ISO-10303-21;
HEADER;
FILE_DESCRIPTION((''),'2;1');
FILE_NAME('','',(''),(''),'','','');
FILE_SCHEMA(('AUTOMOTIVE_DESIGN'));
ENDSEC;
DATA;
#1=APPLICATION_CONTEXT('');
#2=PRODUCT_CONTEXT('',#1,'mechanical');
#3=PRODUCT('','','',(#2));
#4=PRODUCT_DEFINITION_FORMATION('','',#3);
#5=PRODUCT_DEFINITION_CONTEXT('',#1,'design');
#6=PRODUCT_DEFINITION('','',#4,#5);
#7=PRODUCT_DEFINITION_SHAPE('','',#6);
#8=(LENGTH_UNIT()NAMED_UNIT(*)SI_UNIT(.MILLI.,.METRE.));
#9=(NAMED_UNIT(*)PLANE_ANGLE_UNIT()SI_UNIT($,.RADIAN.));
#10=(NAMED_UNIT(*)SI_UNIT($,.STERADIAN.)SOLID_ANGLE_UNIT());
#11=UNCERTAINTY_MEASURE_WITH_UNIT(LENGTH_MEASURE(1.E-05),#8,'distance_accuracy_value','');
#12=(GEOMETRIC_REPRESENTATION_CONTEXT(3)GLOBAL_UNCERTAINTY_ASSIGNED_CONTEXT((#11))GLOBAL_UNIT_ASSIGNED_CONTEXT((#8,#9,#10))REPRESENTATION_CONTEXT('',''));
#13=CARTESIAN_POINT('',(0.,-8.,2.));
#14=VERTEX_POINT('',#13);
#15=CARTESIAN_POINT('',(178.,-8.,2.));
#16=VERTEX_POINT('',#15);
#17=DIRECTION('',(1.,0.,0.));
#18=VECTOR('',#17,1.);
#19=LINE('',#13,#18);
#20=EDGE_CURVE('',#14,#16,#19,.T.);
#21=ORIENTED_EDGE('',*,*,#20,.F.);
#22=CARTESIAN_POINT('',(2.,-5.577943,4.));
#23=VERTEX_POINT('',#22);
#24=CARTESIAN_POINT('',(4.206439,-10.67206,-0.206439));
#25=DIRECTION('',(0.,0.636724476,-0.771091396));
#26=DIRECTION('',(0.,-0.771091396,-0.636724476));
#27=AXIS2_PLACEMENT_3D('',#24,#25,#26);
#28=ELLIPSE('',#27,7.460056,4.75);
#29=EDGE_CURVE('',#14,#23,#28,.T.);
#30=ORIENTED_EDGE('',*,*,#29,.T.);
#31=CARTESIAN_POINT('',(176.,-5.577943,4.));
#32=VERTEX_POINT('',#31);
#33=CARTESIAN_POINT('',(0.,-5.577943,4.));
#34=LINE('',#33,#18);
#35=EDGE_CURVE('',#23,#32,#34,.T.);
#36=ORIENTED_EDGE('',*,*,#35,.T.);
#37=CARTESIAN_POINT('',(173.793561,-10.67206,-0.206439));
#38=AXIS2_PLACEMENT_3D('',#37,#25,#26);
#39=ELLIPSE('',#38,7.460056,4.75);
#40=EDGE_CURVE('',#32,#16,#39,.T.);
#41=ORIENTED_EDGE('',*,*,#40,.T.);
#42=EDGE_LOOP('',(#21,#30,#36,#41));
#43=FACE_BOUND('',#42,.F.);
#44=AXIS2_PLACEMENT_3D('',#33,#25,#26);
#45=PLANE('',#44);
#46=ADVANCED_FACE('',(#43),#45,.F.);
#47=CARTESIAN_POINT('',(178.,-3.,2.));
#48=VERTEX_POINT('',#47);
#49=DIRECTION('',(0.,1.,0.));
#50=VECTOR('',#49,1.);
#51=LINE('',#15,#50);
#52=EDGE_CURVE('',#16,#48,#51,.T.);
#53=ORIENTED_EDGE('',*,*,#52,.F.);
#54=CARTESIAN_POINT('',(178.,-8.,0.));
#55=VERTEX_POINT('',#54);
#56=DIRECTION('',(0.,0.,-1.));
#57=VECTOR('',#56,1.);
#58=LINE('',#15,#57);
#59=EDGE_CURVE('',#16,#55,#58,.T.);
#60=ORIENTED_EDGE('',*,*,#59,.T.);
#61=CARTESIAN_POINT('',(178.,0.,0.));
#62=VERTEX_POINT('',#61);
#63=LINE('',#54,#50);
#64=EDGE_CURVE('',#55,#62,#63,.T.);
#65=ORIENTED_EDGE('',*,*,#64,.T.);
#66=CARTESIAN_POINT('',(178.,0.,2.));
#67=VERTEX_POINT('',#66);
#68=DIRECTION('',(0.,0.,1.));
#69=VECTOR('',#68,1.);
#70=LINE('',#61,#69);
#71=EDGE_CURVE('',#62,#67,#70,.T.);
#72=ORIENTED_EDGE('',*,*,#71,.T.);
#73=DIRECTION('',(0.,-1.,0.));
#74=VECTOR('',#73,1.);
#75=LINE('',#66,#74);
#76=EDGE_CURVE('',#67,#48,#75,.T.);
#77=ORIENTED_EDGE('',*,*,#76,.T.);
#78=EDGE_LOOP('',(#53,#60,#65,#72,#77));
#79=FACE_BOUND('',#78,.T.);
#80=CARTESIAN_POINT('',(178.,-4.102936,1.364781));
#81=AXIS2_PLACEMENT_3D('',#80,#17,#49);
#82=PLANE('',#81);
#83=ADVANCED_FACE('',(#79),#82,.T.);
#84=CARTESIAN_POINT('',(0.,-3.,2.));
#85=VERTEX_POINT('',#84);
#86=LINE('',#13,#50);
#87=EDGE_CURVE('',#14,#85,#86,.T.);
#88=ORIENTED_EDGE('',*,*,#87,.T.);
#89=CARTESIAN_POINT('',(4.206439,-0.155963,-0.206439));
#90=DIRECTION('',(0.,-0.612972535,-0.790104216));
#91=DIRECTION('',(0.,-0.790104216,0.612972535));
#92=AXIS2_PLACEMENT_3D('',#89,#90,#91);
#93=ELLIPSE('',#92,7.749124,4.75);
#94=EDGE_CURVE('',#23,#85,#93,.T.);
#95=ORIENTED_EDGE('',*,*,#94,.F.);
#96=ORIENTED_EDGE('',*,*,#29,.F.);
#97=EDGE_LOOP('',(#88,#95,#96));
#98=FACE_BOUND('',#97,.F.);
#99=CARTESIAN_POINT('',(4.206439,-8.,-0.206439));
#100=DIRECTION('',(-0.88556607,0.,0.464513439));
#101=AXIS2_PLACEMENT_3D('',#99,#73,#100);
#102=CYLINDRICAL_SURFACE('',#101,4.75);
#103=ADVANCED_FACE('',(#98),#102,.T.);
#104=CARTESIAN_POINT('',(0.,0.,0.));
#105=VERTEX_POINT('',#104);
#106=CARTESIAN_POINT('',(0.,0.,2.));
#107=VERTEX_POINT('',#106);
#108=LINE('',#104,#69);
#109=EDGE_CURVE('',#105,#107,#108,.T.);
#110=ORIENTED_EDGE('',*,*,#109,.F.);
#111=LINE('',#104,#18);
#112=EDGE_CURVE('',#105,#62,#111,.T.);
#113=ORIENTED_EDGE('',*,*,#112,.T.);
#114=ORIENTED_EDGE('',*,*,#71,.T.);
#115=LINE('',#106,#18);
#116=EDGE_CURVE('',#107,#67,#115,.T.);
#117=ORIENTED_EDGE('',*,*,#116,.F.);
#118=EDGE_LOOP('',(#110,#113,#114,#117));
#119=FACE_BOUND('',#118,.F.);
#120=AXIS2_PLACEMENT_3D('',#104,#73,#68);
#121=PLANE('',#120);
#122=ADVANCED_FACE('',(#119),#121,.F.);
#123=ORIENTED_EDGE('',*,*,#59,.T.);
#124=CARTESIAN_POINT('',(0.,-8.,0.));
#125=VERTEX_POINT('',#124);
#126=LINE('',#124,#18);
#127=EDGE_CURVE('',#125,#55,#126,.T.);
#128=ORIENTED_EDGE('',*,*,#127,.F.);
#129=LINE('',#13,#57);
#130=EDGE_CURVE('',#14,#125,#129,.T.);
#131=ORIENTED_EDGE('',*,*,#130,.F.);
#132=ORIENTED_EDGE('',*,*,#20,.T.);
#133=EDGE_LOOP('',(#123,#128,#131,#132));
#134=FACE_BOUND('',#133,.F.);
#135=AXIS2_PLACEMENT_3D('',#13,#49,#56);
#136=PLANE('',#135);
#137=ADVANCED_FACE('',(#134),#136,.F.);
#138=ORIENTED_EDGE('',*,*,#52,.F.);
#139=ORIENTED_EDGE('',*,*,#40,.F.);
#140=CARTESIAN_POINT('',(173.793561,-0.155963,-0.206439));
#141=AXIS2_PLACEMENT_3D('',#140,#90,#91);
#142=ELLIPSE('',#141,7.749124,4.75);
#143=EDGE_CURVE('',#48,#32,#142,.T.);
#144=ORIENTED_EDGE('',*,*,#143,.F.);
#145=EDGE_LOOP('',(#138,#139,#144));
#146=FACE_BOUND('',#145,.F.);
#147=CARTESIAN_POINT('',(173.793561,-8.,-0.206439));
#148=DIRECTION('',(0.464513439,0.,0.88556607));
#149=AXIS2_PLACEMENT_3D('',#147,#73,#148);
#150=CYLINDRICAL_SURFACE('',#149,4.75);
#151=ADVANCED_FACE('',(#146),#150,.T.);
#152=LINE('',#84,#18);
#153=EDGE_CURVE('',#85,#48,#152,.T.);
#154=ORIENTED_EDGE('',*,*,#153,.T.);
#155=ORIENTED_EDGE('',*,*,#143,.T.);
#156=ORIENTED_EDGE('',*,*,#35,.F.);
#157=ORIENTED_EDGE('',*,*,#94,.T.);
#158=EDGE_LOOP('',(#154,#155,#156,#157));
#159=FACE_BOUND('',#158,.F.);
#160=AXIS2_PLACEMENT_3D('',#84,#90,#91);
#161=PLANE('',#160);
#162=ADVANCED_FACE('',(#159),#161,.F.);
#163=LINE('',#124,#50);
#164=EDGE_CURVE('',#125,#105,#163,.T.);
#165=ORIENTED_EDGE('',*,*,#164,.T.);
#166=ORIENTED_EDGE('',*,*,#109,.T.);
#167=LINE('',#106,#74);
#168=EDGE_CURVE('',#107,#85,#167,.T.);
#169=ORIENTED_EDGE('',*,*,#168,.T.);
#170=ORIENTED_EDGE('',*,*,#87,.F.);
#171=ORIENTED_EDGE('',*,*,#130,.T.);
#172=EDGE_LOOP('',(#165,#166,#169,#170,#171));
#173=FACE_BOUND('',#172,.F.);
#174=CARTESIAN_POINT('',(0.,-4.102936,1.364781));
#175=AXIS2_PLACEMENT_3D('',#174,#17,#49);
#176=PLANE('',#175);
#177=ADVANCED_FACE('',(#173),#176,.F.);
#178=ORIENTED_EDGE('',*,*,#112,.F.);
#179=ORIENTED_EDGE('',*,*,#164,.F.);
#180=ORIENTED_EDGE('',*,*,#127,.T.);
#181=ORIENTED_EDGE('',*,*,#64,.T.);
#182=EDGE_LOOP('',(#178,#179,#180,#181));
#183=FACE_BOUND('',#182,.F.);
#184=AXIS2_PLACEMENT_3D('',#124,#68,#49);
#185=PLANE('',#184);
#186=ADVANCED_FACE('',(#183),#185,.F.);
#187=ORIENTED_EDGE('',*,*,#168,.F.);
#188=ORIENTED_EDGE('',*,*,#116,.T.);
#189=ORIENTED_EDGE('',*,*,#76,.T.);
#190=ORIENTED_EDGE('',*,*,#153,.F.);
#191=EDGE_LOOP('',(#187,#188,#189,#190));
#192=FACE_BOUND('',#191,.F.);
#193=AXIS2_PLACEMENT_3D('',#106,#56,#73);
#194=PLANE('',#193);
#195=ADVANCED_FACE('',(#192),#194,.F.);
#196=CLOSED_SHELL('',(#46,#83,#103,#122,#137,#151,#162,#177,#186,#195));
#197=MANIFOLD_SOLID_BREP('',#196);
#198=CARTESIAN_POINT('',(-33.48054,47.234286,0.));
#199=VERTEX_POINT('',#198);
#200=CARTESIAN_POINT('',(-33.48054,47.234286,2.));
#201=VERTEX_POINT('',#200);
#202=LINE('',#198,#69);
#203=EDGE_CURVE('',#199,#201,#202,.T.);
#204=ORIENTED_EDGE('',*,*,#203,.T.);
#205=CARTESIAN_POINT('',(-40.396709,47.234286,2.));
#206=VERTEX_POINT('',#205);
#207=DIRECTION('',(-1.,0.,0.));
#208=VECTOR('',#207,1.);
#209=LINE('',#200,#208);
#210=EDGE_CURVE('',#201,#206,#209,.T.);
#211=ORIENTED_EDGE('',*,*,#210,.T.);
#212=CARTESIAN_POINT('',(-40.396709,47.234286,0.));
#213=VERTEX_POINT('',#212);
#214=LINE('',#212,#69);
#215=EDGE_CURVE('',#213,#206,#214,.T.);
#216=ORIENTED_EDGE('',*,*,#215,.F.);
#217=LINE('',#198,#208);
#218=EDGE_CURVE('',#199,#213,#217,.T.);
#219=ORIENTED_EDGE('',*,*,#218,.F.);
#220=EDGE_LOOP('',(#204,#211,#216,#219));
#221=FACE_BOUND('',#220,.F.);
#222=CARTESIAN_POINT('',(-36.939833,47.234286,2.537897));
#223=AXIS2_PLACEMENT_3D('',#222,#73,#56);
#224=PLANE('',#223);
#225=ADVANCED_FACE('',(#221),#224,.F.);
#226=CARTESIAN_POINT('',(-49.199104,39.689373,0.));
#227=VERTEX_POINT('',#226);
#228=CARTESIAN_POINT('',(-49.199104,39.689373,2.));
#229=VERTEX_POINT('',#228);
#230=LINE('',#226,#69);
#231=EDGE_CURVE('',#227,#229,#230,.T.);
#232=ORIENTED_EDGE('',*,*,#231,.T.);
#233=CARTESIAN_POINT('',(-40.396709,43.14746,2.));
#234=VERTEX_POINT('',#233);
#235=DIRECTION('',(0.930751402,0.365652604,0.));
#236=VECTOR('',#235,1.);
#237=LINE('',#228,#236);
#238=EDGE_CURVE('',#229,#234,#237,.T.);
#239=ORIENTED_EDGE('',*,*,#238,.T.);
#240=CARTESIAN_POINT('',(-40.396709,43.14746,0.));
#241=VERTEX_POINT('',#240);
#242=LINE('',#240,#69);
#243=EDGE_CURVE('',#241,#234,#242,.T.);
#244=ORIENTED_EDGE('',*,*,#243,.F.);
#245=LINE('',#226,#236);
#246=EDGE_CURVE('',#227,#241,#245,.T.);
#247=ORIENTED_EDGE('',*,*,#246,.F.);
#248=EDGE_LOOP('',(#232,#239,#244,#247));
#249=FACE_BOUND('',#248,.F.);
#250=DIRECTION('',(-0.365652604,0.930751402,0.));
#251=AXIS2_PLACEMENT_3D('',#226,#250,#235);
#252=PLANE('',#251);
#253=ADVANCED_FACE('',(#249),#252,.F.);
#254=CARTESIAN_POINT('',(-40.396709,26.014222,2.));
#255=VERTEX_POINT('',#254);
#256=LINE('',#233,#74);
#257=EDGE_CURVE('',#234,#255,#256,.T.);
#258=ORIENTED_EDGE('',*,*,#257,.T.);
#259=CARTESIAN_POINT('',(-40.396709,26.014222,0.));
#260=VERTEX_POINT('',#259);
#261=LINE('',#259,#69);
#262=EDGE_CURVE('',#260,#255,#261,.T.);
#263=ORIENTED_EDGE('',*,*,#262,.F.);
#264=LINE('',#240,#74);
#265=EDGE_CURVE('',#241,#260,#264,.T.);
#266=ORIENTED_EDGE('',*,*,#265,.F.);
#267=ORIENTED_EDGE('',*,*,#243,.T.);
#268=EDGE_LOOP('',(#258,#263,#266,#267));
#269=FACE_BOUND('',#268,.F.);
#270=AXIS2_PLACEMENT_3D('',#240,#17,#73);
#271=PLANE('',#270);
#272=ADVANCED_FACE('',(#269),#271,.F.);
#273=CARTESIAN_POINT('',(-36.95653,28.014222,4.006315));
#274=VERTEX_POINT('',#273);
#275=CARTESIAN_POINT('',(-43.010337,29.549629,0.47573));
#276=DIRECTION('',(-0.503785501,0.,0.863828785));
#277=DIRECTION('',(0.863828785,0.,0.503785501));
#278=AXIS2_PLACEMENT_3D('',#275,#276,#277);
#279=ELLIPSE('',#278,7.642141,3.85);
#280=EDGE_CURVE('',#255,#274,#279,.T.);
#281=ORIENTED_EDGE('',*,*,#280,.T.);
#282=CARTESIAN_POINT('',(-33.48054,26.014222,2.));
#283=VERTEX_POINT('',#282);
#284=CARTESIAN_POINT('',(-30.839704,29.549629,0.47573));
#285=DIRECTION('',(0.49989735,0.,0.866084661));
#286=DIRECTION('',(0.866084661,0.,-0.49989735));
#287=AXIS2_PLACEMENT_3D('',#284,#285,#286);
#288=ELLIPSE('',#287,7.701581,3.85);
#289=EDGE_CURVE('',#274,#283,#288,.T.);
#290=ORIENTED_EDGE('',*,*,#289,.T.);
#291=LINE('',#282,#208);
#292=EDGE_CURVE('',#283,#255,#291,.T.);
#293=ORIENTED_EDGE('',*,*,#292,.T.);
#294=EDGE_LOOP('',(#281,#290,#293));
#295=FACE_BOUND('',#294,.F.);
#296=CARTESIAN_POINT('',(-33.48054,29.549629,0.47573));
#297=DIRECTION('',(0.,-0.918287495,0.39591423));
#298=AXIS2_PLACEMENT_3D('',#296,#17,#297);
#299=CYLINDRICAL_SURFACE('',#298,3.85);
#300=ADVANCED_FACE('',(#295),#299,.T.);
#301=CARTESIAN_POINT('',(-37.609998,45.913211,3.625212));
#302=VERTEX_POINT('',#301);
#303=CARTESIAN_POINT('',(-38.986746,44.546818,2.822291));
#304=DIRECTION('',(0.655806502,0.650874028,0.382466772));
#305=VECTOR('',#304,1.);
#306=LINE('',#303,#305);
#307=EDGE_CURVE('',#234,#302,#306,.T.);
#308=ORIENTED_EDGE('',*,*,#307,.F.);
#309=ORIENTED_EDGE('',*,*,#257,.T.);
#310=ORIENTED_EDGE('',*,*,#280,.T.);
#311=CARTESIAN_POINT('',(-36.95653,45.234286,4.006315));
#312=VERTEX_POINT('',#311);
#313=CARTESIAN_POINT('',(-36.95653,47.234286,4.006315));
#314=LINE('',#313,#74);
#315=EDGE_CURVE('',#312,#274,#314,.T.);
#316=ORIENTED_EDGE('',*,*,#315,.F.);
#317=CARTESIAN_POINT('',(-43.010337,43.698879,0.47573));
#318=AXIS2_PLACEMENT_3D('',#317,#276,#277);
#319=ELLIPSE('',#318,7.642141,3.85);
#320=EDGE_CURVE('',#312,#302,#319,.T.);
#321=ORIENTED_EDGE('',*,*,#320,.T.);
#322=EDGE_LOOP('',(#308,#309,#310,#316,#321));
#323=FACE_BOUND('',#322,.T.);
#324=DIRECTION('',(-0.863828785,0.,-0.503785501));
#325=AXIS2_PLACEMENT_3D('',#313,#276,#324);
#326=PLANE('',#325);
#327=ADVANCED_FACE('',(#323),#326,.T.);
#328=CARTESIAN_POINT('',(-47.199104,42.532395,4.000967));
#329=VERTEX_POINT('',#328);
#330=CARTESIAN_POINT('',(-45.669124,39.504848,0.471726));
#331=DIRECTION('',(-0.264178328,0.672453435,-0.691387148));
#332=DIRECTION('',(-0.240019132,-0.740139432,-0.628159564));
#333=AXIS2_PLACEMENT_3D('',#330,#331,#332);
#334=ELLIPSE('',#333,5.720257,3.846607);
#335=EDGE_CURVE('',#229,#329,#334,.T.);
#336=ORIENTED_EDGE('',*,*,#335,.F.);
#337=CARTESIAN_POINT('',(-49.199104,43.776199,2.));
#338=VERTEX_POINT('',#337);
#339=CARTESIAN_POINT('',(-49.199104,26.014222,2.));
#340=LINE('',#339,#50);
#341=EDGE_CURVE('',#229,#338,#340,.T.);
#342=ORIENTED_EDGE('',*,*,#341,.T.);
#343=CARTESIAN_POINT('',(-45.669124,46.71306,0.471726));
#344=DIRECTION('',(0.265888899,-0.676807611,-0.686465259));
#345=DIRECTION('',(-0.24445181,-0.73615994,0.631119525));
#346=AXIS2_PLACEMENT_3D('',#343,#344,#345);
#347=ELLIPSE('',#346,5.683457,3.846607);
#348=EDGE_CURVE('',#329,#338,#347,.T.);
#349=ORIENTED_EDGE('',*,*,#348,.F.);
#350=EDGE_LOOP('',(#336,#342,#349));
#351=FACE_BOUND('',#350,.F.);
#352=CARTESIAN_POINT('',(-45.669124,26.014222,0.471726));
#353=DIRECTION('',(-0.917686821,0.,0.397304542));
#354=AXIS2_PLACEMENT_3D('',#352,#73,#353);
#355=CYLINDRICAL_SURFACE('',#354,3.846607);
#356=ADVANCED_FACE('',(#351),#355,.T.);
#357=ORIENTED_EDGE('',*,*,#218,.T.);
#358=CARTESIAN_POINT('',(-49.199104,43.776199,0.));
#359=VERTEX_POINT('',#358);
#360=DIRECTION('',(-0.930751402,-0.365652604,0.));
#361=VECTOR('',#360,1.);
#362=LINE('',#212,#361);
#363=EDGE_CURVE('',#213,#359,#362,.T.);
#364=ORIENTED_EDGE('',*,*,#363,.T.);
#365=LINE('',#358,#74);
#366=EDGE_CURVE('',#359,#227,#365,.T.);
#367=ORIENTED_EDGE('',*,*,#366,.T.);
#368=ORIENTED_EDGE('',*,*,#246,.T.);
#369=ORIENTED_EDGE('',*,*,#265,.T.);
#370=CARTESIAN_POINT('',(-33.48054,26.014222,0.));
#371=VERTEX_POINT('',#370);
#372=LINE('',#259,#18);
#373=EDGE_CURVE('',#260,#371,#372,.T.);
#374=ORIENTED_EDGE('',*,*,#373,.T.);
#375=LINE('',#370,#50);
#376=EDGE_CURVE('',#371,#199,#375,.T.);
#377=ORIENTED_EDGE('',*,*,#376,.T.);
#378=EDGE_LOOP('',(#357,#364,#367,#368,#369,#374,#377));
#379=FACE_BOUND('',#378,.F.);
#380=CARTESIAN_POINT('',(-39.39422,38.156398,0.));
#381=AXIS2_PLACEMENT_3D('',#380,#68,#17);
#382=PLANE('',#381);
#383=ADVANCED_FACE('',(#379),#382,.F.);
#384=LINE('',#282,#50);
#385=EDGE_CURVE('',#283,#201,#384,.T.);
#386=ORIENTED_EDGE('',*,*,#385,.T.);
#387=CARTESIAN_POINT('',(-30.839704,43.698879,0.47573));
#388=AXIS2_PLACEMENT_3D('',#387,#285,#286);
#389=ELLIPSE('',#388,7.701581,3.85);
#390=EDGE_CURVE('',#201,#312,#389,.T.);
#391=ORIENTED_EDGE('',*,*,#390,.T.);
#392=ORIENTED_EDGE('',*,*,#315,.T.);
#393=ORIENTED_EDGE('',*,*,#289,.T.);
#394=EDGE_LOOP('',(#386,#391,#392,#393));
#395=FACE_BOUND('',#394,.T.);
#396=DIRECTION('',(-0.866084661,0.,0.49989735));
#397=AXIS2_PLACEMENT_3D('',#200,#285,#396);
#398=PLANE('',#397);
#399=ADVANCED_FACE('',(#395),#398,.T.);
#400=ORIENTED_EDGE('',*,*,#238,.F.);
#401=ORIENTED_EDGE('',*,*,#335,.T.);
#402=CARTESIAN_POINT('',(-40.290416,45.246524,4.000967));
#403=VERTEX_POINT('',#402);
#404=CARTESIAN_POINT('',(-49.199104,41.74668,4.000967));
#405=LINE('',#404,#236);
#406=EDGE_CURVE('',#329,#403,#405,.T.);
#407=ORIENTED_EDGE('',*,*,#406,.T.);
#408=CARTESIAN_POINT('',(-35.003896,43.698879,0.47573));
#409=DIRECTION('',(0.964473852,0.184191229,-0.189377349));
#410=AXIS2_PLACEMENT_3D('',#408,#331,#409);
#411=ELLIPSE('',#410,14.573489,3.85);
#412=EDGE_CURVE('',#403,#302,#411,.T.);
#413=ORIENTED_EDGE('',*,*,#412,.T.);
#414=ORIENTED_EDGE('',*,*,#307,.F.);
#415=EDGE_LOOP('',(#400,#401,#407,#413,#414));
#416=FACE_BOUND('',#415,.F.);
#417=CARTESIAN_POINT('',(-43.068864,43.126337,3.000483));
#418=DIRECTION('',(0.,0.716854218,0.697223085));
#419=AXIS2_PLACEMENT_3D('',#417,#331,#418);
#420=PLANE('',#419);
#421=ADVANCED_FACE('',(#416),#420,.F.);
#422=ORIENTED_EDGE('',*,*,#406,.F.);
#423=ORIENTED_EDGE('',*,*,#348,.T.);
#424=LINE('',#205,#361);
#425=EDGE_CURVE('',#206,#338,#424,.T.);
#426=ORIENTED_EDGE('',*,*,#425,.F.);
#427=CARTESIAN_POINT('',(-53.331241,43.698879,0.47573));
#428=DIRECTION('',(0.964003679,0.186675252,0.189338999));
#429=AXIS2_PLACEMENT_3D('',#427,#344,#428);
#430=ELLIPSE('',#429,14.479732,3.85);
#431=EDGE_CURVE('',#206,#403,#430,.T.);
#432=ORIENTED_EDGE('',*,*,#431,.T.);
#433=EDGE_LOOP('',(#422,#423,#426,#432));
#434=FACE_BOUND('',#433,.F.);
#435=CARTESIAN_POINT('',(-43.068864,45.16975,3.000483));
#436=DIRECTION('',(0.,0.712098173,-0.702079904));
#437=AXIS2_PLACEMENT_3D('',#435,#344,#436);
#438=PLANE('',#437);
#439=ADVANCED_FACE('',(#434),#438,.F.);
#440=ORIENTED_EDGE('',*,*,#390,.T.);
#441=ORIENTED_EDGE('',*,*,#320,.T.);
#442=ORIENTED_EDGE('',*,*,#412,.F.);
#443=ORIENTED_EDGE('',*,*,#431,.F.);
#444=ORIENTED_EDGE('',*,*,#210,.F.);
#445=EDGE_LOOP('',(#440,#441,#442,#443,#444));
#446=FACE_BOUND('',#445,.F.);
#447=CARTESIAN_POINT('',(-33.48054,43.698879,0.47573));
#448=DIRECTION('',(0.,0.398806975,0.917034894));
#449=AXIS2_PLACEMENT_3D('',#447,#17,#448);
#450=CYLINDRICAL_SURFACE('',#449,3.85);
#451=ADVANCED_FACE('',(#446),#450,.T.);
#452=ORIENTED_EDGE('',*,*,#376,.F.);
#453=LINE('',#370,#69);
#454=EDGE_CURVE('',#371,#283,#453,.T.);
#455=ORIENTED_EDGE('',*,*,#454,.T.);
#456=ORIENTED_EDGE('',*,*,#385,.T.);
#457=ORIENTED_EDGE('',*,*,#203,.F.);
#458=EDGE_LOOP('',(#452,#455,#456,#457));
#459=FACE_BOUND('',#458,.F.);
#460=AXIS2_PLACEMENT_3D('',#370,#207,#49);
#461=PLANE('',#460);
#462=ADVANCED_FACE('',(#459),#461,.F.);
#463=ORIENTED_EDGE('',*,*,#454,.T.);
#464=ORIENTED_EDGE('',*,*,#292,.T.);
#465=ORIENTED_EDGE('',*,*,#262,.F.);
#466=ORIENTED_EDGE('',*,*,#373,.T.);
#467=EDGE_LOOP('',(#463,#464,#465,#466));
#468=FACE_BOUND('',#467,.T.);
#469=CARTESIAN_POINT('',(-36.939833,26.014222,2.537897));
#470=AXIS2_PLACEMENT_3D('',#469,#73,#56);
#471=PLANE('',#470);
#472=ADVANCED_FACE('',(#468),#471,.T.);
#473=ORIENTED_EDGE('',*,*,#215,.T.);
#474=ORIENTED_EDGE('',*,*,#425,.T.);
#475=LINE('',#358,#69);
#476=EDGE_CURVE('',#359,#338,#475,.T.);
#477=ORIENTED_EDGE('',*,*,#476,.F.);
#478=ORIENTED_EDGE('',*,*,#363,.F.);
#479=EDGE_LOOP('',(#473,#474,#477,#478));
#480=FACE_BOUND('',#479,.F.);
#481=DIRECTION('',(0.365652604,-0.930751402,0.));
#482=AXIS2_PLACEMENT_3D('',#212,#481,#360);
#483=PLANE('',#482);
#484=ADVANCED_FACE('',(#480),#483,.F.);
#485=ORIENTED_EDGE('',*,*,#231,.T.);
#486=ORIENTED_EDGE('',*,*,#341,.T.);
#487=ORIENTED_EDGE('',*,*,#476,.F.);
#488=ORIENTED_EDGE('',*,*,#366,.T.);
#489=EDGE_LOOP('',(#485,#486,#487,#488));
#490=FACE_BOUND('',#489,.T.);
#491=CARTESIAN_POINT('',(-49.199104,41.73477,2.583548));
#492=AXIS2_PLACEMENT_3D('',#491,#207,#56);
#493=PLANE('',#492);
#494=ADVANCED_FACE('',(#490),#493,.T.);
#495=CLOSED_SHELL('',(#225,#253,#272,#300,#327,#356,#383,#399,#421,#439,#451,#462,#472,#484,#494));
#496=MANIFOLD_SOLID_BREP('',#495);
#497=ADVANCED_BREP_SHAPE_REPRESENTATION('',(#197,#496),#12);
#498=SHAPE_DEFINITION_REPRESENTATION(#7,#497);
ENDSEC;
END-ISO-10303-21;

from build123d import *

# Parameters (mm, degrees)
F1_DEPTH  = 178
F3_DEPTH  = 8
F5_DEPTH  = 2
F12_DEPTH = 19.5476922495
F14_DEPTH = 15.7185643911


with BuildPart() as f1:
    # F0 (on Right) → F1 (new body)
    with BuildSketch(Plane.YZ):
        Polygon((-8, 0), (0, 0), (0, 2), (-3, 2), (-5.5779432878, 4), (-8, 2), align=None)
    extrude(amount=F1_DEPTH)

    # F2 (on face) → F3 (cut, through all)
    with BuildSketch(Plane.XZ.offset(8)):
        with BuildLine():
            ThreePointArc((0, 2), (0.847681624, 3.152318376), (2, 4))
            Line((2, 4), (0, 4))
            Line((0, 4), (0, 2))
        make_face()
        with BuildLine():
            ThreePointArc((176, 4), (177.152318376, 3.152318376), (178, 2))
            Line((178, 2), (178, 4))
            Line((178, 4), (176, 4))
        make_face()
    extrude(amount=-F3_DEPTH, mode=Mode.SUBTRACT)


with BuildPart() as f5:
    # F4 (on Top) → F5 (new body)
    with BuildSketch(Plane.XY):
        Polygon((-33.4805399179, 47.2342856228), (-40.3967089951, 47.2342856228), (-49.1991043091, 43.7761992216), (-49.1991043091, 39.689373225), (-40.3967089951, 43.1474596262), (-40.3967089951, 26.0142218322), (-33.4805399179, 26.0142218322), align=None)
    extrude(amount=F5_DEPTH)

    # F9: sweep along a path in F7
    with BuildLine(Plane.XY.offset(4)) as f9_path:
        Line((-49.1991043091, 41.7327862233), (-36.9386244565, 46.5494068292))
    # F8 (on face) → F9 (sweep)
    with BuildSketch(Plane(origin=(-49.1991043091, 0, 0), x_dir=(0, -1, 0), z_dir=(-1, 0, 0))):
        Polygon((-41.7466796935, 4.0009669028), (-43.7761992216, 2), (-39.689373225, 2), align=None)
    sweep(path=f9_path.line)

    # F11: sweep along a path in F7
    with BuildLine(Plane.XY.offset(4)) as f11_path:
        Line((-36.9386244565, 47.2342856228), (-36.9386244565, 26.0142218322))
    # F10 (on face) → F11 (sweep)
    with BuildSketch(Plane.XZ.offset(-26.0142218322)):
        Polygon((-36.9565300643, 4.006314557), (-40.3967089951, 2), (-33.4805399179, 2), align=None)
    sweep(path=f11_path.line)

    # F10 (on face) → F12 (cut, up to face)
    with BuildSketch(Plane.XZ.offset(-26.0142218322)):
        with BuildLine():
            ThreePointArc((-49.1991043091, 2), (-48.3897429551, 3.1910299775), (-47.1991043091, 4.0009669028))
            Line((-47.1991043091, 4.0009669028), (-49.1991043091, 4.0009669028))
            Line((-49.1991043091, 4.0009669028), (-49.1991043091, 2))
        make_face()
    extrude(amount=-F12_DEPTH, mode=Mode.SUBTRACT)

    # F13 (on face) → F14 (cut, through all)
    with BuildSketch(Plane.YZ.offset(-33.4805399179)):
        with BuildLine():
            ThreePointArc((26.0142218322, 2), (26.8229801131, 3.1937970945), (28.0142218322, 4.006314557))
            Line((28.0142218322, 4.006314557), (26.0142218322, 4.006314557))
            Line((26.0142218322, 4.006314557), (26.0142218322, 2))
        make_face()
        with BuildLine():
            ThreePointArc((45.2342856228, 4.006314557), (46.4255273418, 3.1937970945), (47.2342856228, 2))
            Line((47.2342856228, 2), (48.8923490047, 2))
            Line((48.8923490047, 2), (48.8923490047, 4.006314557))
            Line((48.8923490047, 4.006314557), (45.2342856228, 4.006314557))
        make_face()
    extrude(amount=-F14_DEPTH, mode=Mode.SUBTRACT)


solid = Compound([f1.part, f5.part])
